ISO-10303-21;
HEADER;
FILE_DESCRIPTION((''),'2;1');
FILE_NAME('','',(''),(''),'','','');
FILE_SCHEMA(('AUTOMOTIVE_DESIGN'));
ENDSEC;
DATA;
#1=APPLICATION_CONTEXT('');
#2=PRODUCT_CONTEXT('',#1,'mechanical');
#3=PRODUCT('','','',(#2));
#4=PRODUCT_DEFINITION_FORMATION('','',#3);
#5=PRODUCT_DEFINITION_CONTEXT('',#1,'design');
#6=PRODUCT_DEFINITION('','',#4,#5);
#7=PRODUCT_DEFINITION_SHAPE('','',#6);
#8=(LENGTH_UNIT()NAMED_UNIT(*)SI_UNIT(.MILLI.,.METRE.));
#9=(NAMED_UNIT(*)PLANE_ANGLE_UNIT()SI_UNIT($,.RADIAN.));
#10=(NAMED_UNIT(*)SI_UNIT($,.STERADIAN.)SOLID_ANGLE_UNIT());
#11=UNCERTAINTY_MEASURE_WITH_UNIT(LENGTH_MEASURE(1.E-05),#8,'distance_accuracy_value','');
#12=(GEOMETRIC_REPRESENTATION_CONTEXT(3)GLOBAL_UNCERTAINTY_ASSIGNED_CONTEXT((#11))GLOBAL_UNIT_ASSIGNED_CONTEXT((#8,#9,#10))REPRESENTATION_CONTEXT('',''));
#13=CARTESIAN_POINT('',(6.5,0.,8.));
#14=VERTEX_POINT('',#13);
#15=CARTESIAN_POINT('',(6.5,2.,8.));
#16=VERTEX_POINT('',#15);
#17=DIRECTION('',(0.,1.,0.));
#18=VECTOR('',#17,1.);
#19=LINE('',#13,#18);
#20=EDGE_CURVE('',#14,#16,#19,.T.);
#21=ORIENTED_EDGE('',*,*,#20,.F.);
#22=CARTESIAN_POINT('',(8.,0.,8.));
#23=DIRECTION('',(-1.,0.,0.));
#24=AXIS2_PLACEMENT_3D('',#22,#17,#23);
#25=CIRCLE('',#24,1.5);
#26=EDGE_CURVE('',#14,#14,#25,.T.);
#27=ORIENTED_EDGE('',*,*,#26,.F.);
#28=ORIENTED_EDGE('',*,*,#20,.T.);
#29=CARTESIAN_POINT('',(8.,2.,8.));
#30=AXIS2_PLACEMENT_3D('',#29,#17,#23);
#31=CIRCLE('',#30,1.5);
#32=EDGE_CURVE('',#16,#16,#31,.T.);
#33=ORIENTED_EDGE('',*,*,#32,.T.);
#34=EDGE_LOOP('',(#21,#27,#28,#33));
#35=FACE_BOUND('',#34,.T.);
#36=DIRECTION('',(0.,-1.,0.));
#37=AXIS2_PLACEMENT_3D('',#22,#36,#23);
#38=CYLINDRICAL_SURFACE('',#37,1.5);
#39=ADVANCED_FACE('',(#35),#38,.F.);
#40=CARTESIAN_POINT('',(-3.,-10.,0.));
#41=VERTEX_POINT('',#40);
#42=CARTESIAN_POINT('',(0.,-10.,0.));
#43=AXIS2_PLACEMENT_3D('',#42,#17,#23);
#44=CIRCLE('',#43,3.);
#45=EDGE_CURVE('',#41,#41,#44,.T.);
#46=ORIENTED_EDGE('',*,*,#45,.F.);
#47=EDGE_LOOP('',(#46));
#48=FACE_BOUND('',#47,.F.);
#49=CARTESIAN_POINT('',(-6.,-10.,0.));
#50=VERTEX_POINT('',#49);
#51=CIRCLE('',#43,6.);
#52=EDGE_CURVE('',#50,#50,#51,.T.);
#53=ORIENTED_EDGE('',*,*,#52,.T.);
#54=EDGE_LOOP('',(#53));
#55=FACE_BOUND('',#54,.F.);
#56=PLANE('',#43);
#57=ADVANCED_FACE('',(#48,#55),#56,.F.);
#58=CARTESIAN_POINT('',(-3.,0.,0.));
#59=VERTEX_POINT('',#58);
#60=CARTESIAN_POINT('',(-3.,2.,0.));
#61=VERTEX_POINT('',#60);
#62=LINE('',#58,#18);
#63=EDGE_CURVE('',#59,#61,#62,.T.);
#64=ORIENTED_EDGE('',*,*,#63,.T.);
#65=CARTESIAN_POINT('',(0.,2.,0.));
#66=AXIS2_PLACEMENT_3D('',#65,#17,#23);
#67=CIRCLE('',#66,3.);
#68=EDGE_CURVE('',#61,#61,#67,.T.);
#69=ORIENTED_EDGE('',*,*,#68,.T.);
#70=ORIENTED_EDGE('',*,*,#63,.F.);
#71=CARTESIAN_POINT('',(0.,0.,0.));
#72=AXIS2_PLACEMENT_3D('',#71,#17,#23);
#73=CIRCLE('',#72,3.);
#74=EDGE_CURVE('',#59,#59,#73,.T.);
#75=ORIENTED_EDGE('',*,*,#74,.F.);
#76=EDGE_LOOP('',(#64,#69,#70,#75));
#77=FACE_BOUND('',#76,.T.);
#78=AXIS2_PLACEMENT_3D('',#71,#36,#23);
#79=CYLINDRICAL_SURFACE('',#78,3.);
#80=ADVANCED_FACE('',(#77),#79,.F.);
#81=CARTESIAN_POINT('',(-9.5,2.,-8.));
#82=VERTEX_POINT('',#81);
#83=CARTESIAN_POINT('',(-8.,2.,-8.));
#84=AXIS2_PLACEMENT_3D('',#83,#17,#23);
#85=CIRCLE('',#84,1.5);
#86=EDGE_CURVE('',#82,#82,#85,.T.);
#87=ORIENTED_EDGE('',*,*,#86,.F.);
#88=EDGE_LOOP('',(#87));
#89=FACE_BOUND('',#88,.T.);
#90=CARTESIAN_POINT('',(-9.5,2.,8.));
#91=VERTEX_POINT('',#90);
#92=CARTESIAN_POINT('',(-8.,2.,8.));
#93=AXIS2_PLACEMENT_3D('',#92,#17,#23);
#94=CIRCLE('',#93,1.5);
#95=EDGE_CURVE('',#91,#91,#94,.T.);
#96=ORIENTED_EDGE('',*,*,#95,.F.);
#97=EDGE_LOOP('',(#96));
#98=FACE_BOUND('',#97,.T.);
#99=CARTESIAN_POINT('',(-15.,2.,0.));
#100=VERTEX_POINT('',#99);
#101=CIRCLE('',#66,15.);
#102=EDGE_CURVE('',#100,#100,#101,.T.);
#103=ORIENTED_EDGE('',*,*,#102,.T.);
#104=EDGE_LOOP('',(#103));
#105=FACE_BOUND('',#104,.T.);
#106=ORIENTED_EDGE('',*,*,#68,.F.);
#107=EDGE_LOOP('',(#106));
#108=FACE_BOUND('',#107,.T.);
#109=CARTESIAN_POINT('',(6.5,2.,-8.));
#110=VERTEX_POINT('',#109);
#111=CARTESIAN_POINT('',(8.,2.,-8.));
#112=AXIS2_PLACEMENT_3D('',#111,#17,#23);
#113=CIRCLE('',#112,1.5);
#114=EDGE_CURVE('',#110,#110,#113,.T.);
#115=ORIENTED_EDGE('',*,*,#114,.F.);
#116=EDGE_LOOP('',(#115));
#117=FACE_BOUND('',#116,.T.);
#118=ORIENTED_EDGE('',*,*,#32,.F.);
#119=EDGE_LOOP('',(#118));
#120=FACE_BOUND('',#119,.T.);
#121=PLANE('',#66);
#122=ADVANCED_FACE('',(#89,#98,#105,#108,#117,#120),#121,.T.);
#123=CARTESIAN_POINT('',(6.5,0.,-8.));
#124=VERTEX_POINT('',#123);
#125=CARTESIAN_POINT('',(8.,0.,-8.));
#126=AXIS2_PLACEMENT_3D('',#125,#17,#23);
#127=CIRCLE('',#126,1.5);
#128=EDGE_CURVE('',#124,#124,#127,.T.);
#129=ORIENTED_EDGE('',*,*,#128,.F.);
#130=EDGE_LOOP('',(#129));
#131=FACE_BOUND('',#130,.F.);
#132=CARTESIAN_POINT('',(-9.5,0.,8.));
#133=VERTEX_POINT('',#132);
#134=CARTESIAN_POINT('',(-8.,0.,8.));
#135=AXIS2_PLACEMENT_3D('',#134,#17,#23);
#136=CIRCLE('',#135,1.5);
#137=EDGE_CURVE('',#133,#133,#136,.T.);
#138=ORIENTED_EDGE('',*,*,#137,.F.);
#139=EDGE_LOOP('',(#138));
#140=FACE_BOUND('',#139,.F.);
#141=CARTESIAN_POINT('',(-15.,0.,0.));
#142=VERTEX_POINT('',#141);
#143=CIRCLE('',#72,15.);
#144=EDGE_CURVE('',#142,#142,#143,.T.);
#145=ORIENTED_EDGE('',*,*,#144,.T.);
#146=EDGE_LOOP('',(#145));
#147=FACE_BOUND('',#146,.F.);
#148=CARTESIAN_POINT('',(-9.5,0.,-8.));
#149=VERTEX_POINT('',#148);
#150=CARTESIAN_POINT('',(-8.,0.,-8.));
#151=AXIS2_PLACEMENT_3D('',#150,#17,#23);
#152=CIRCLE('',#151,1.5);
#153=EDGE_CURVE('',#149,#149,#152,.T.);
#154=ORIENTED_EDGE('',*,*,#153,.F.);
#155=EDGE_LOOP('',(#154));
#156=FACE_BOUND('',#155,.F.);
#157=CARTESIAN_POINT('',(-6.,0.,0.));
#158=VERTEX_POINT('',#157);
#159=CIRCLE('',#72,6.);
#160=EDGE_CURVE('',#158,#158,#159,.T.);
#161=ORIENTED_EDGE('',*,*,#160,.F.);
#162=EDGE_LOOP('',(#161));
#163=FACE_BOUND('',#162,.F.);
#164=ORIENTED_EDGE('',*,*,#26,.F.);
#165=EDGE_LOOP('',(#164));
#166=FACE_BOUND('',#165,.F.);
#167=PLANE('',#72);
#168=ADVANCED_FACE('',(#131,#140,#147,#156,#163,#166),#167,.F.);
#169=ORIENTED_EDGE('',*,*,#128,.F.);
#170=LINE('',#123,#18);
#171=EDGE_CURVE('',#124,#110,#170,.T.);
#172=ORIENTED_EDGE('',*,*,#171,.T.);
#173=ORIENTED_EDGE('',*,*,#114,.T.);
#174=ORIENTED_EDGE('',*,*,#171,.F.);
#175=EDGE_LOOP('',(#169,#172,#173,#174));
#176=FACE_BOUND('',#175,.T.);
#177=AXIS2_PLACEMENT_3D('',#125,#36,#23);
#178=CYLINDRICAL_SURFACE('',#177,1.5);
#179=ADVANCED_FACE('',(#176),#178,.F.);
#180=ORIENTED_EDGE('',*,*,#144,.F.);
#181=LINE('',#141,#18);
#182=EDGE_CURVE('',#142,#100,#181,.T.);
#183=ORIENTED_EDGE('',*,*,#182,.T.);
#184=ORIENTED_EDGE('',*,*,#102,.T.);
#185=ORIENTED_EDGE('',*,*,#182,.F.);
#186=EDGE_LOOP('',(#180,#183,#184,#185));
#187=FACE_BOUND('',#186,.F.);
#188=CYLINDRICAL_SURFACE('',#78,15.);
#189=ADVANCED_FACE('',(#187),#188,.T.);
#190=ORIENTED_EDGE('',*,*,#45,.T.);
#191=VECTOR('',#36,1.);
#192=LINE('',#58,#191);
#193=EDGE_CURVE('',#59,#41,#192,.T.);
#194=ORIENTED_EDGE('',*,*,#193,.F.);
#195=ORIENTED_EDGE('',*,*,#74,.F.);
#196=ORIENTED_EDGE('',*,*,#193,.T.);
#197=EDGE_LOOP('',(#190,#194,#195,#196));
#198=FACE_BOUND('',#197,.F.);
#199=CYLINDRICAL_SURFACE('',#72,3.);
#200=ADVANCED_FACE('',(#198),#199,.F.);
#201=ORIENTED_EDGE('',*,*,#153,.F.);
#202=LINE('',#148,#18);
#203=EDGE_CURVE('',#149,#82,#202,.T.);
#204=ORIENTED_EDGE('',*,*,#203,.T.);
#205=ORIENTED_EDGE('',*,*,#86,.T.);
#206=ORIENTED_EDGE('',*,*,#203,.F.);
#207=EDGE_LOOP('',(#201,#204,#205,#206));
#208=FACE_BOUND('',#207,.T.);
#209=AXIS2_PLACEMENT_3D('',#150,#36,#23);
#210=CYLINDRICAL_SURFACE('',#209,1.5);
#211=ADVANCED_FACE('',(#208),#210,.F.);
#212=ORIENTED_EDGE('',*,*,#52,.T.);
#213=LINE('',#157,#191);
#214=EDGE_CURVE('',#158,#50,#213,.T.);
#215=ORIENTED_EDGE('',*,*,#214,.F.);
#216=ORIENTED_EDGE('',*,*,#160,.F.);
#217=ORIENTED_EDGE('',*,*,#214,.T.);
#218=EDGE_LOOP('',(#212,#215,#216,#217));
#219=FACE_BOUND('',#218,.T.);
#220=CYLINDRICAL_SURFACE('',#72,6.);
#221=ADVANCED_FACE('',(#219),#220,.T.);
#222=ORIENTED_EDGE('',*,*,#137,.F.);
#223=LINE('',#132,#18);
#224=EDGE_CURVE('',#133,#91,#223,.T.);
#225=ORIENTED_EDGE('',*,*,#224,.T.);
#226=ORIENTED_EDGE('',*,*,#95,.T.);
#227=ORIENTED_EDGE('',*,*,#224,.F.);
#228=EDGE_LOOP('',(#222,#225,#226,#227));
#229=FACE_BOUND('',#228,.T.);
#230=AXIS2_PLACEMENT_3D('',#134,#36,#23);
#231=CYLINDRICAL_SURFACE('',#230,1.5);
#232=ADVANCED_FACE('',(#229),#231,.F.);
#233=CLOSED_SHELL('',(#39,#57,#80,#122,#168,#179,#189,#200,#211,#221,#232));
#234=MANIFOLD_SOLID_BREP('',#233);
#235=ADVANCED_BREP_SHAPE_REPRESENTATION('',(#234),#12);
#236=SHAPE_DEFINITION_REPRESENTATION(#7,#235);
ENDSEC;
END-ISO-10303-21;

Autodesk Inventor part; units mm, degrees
ref_plane "YZ Plane" through (0, 0, 0) normal (1, 0, 0) x (0, 1, 0)
ref_plane "XZ Plane" through (0, 0, 0) normal (0, 1, 0) x (-1, 0, 0)
ref_plane "XY Plane" through (0, 0, 0) normal (0, 0, 1) x (1, 0, 0)
sketch "Sketch1" plane through (0, 0, 0) normal (0, 1, 0) x (-1, 0, 0)
  circle A0 centre (0, 0) radius 3
  line L0 (-8, -8) -> (8, -8) construction
  line L1 (8, -8) -> (8, 8) construction
  line L2 (8, 8) -> (-8, 8) construction
  line L3 (-8, 8) -> (-8, -8) construction
  line L4 (-8, -8) -> (8, 8) construction
  line L5 (8, -8) -> (-8, 8) construction
  circle A1 centre (-8, 8) radius 1.5
  circle A2 centre (-8, -8) radius 1.5
  circle A3 centre (8, -8) radius 1.5
  circle A4 centre (8, 8) radius 1.5
  circle A5 centre (0, 0) radius 15
  circle A6 centre (0, 0) radius 6
  dimension "d8" = 6
  dimension "d9" = 16
  dimension "d11" = 3
  dimension "d12" = 30
  dimension "d15" = 12
extrude "Extrusion1" add sketch "Sketch1" along normal blind 2 contours A5 | A6
extrude "Extrusion2" add sketch "Sketch1" against normal blind 10 contours A6
properties part number "Flange"
